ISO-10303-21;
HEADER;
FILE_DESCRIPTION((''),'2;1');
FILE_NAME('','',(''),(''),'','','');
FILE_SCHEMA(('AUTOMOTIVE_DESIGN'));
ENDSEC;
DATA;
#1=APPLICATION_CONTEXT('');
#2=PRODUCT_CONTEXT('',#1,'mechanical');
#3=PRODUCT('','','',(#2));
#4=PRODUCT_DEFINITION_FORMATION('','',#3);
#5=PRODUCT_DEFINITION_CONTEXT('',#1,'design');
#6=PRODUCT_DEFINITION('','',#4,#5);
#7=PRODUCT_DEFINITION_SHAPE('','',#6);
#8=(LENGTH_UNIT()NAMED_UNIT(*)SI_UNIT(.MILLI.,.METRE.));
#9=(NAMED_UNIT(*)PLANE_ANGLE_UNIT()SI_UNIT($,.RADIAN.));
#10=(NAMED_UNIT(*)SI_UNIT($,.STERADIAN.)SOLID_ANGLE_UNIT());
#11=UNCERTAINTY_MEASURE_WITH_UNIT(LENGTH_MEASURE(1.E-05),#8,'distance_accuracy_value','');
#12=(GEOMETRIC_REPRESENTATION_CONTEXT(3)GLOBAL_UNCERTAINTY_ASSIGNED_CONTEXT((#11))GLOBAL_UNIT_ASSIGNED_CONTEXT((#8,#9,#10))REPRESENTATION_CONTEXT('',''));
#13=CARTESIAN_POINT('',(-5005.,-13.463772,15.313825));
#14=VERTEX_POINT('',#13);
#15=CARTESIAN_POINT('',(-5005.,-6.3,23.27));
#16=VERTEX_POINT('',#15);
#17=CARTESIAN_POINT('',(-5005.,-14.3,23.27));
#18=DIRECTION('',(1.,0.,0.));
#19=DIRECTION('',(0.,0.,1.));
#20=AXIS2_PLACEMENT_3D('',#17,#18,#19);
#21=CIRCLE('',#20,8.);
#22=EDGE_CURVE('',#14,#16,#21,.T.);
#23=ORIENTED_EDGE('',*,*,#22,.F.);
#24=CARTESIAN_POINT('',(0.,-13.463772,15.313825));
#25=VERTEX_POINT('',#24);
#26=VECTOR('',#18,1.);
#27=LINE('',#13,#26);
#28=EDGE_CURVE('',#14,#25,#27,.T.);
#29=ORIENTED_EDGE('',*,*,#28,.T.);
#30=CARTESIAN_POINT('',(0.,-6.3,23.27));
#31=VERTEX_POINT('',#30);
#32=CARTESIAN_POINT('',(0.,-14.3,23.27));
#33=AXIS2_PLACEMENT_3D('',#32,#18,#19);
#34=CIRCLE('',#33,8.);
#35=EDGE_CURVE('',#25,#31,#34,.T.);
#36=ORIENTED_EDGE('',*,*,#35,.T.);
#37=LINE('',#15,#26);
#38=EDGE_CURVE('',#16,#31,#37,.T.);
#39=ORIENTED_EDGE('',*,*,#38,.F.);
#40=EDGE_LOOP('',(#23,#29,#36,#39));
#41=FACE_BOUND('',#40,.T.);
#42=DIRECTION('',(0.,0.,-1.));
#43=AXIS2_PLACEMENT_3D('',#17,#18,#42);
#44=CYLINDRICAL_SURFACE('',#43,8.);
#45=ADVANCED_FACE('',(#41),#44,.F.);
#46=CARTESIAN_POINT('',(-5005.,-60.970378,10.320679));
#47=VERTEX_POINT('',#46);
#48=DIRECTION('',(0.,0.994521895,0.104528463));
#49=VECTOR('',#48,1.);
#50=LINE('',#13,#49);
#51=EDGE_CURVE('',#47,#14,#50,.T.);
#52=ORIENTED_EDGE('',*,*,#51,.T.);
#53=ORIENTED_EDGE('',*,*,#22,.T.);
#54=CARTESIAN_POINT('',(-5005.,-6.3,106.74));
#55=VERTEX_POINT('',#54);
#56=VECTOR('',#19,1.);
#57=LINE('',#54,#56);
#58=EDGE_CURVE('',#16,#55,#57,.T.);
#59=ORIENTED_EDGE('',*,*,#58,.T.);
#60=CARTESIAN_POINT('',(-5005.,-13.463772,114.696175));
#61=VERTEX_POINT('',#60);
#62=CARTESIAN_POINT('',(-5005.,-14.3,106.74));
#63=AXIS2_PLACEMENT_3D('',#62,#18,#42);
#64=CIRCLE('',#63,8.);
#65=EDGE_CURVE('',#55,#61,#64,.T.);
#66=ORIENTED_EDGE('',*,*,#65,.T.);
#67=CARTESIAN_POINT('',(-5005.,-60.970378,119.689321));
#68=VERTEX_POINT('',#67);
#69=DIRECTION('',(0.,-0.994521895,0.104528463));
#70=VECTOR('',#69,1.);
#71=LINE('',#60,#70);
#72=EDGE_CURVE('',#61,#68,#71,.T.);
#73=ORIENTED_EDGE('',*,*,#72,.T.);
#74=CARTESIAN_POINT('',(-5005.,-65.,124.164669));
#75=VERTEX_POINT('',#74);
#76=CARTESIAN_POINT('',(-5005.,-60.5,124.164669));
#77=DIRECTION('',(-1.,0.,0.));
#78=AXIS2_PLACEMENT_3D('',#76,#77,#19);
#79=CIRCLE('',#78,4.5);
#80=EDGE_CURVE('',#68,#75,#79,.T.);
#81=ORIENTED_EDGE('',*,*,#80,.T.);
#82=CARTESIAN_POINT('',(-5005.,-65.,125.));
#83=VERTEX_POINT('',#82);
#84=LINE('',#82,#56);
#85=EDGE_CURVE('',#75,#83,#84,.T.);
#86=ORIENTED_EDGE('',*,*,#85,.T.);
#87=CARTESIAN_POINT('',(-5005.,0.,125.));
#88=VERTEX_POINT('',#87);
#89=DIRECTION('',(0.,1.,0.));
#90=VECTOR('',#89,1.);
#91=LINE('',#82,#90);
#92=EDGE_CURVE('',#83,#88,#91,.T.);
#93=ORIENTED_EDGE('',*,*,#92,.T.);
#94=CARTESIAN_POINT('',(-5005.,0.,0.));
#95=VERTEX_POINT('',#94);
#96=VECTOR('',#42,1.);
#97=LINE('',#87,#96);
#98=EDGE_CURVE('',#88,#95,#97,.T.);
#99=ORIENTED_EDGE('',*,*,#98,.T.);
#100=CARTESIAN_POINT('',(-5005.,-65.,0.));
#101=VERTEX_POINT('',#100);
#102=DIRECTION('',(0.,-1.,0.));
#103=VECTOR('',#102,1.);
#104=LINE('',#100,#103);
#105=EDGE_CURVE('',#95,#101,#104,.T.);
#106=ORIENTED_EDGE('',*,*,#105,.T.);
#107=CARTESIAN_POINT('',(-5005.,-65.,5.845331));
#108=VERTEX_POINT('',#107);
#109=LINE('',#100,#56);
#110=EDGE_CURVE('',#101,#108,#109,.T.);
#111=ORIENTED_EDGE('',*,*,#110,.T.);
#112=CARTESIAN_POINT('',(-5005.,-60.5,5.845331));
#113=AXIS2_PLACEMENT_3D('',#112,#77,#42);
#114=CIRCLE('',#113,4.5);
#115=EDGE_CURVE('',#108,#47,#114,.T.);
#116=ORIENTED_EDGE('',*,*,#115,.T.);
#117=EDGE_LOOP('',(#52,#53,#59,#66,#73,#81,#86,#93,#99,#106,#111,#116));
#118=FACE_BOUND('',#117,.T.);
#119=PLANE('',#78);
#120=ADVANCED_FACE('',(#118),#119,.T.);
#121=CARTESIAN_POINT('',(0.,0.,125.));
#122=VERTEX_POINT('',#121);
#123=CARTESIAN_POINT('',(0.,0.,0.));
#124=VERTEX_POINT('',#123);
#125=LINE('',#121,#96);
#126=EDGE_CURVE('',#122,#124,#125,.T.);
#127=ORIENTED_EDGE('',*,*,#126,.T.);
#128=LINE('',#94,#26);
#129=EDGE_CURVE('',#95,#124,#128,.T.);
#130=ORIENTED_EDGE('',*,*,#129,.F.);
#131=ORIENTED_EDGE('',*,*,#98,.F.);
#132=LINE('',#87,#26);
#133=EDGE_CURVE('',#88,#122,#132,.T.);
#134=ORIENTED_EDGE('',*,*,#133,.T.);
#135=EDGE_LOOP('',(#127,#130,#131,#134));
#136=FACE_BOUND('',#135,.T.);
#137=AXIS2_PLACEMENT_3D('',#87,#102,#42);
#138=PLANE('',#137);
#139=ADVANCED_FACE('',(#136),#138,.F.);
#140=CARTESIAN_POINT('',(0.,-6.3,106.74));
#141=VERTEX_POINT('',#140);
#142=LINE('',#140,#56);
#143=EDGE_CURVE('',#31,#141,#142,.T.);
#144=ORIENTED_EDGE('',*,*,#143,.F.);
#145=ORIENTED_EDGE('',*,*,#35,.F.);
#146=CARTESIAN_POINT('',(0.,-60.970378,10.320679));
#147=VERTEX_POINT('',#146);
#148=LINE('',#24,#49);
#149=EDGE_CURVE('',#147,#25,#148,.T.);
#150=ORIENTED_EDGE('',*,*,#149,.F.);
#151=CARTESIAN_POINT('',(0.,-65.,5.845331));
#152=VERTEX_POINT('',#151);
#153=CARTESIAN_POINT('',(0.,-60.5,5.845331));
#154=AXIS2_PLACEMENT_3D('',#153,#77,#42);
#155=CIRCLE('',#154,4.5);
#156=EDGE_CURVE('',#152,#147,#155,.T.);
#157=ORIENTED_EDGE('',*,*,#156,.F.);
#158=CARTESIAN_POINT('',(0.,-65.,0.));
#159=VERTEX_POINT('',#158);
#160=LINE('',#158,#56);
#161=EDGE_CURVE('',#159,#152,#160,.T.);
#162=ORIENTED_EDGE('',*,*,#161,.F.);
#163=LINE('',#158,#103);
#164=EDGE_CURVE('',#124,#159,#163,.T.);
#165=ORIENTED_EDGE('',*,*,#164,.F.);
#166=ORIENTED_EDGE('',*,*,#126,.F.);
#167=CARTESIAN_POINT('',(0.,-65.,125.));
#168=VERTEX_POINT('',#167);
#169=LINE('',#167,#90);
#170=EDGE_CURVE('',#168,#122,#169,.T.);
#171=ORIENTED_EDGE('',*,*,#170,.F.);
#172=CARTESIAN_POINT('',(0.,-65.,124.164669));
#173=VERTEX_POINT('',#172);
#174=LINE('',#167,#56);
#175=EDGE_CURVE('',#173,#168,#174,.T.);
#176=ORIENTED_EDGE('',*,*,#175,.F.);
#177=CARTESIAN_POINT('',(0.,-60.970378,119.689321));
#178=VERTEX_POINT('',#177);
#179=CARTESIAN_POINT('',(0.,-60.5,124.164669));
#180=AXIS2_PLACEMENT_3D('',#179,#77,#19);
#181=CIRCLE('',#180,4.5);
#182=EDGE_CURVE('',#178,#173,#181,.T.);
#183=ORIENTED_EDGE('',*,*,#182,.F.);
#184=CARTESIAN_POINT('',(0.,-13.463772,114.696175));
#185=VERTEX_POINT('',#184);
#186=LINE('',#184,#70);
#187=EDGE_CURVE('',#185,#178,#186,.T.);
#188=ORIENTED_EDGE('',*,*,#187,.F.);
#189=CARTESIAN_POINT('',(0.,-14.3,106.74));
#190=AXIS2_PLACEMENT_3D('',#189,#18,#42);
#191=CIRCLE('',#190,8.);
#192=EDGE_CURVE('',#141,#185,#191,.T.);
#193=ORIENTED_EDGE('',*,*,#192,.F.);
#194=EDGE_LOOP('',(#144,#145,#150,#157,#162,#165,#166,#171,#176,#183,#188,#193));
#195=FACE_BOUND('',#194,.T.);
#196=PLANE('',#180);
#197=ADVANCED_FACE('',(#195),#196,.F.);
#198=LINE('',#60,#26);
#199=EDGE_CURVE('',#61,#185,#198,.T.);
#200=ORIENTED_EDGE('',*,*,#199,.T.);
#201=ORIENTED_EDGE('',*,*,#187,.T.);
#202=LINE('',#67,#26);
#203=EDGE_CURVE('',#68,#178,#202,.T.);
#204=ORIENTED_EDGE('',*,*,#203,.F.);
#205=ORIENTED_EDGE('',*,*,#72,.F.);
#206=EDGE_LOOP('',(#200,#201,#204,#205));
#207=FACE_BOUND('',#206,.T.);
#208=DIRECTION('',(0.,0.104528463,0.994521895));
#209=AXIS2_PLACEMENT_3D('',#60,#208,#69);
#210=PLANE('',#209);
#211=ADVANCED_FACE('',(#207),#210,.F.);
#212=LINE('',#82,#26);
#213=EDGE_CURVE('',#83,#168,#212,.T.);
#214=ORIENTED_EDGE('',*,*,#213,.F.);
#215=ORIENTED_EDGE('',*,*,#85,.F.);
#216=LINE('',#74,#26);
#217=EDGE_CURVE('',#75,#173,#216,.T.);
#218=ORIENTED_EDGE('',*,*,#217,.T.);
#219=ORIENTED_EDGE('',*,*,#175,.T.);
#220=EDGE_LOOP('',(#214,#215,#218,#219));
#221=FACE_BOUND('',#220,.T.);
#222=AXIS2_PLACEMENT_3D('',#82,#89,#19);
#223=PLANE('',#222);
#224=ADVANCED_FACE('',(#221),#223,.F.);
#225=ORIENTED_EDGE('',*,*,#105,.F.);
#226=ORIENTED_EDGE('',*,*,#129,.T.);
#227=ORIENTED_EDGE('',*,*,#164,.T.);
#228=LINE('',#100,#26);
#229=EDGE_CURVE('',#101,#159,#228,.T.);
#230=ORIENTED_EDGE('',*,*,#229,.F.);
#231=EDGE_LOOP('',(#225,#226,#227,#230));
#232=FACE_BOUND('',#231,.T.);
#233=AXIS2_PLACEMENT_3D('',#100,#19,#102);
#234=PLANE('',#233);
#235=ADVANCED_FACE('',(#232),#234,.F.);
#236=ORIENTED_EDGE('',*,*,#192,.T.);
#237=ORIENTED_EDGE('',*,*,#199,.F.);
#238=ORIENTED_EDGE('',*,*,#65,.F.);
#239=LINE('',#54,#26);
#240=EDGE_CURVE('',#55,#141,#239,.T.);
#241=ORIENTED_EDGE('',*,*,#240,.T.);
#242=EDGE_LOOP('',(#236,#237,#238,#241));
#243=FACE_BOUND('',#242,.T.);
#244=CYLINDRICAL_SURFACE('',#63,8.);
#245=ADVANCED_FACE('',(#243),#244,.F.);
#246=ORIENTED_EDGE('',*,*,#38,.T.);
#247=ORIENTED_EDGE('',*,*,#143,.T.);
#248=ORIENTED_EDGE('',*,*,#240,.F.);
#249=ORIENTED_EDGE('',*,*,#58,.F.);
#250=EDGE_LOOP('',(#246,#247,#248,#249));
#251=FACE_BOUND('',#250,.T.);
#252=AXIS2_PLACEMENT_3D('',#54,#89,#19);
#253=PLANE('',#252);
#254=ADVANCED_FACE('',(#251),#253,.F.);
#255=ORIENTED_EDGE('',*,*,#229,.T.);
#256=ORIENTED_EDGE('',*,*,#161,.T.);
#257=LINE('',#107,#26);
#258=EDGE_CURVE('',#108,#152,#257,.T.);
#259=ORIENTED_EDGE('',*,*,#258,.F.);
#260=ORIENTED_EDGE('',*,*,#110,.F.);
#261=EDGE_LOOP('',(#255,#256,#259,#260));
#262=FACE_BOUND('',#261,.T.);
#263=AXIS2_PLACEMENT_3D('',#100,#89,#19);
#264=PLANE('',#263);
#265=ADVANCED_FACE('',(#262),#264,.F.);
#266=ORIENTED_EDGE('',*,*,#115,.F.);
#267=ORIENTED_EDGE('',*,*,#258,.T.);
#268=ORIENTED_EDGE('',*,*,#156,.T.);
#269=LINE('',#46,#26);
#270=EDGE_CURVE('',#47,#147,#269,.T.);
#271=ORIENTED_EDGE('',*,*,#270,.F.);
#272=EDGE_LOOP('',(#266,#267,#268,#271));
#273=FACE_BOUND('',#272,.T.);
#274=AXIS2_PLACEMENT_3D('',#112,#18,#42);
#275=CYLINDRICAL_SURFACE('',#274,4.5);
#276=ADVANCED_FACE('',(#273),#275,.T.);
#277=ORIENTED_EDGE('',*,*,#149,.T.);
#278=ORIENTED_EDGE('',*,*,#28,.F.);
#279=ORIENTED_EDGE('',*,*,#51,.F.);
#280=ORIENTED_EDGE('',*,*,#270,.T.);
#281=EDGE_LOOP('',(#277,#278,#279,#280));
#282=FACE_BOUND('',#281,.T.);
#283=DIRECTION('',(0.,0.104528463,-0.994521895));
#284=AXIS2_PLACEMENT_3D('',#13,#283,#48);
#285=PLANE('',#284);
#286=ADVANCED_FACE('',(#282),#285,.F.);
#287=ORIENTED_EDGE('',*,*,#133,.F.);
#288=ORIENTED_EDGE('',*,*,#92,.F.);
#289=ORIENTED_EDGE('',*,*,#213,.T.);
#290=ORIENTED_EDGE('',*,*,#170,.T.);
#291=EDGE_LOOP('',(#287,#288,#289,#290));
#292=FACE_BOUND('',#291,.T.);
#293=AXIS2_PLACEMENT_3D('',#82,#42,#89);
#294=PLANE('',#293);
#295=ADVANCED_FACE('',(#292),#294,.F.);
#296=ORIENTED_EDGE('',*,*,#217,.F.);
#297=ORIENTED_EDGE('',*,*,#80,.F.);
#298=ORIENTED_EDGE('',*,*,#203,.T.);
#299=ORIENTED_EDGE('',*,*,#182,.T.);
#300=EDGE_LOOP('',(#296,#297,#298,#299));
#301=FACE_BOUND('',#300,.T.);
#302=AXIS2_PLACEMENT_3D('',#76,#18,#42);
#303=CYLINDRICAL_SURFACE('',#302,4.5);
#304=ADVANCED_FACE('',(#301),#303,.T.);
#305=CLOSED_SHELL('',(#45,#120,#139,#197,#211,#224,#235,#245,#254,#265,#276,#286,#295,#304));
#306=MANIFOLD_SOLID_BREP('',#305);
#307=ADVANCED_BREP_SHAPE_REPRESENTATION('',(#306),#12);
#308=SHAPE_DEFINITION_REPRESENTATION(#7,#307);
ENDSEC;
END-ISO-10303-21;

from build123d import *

# Parameters (mm, degrees)
C_CHANNEL_120_X_12_1_DEPTH = 5005


with BuildPart() as part:
    # Sketch11 → C channel 120 X 12(1) (new body)
    with BuildSketch(Plane(origin=(0, 0, 0), x_dir=(0, -1, 0), z_dir=(-1, 0, 0))):
        with BuildLine():
            Line((65, 125), (0, 125))
            Line((0, 125), (0, 0))
            Line((0, 0), (65, 0))
            Line((65, 0), (65, 5.845330836))
            ThreePointArc((65, 5.845330836), (63.844151715, 8.856418565), (60.970378085, 10.320679365))
            Line((60.970378085, 10.320679365), (13.463772294, 15.313824837))
            ThreePointArc((13.463772294, 15.313824837), (8.354841396, 17.916955149), (6.3, 23.27))
            Line((6.3, 23.27), (6.3, 106.74))
            ThreePointArc((6.3, 106.74), (8.354841396, 112.093044851), (13.463772294, 114.696175163))
            Line((13.463772294, 114.696175163), (60.970378085, 119.689320635))
            ThreePointArc((60.970378085, 119.689320635), (63.844151715, 121.153581435), (65, 124.164669164))
            Line((65, 124.164669164), (65, 125))
        make_face()
    extrude(amount=C_CHANNEL_120_X_12_1_DEPTH)


solid = part.part
